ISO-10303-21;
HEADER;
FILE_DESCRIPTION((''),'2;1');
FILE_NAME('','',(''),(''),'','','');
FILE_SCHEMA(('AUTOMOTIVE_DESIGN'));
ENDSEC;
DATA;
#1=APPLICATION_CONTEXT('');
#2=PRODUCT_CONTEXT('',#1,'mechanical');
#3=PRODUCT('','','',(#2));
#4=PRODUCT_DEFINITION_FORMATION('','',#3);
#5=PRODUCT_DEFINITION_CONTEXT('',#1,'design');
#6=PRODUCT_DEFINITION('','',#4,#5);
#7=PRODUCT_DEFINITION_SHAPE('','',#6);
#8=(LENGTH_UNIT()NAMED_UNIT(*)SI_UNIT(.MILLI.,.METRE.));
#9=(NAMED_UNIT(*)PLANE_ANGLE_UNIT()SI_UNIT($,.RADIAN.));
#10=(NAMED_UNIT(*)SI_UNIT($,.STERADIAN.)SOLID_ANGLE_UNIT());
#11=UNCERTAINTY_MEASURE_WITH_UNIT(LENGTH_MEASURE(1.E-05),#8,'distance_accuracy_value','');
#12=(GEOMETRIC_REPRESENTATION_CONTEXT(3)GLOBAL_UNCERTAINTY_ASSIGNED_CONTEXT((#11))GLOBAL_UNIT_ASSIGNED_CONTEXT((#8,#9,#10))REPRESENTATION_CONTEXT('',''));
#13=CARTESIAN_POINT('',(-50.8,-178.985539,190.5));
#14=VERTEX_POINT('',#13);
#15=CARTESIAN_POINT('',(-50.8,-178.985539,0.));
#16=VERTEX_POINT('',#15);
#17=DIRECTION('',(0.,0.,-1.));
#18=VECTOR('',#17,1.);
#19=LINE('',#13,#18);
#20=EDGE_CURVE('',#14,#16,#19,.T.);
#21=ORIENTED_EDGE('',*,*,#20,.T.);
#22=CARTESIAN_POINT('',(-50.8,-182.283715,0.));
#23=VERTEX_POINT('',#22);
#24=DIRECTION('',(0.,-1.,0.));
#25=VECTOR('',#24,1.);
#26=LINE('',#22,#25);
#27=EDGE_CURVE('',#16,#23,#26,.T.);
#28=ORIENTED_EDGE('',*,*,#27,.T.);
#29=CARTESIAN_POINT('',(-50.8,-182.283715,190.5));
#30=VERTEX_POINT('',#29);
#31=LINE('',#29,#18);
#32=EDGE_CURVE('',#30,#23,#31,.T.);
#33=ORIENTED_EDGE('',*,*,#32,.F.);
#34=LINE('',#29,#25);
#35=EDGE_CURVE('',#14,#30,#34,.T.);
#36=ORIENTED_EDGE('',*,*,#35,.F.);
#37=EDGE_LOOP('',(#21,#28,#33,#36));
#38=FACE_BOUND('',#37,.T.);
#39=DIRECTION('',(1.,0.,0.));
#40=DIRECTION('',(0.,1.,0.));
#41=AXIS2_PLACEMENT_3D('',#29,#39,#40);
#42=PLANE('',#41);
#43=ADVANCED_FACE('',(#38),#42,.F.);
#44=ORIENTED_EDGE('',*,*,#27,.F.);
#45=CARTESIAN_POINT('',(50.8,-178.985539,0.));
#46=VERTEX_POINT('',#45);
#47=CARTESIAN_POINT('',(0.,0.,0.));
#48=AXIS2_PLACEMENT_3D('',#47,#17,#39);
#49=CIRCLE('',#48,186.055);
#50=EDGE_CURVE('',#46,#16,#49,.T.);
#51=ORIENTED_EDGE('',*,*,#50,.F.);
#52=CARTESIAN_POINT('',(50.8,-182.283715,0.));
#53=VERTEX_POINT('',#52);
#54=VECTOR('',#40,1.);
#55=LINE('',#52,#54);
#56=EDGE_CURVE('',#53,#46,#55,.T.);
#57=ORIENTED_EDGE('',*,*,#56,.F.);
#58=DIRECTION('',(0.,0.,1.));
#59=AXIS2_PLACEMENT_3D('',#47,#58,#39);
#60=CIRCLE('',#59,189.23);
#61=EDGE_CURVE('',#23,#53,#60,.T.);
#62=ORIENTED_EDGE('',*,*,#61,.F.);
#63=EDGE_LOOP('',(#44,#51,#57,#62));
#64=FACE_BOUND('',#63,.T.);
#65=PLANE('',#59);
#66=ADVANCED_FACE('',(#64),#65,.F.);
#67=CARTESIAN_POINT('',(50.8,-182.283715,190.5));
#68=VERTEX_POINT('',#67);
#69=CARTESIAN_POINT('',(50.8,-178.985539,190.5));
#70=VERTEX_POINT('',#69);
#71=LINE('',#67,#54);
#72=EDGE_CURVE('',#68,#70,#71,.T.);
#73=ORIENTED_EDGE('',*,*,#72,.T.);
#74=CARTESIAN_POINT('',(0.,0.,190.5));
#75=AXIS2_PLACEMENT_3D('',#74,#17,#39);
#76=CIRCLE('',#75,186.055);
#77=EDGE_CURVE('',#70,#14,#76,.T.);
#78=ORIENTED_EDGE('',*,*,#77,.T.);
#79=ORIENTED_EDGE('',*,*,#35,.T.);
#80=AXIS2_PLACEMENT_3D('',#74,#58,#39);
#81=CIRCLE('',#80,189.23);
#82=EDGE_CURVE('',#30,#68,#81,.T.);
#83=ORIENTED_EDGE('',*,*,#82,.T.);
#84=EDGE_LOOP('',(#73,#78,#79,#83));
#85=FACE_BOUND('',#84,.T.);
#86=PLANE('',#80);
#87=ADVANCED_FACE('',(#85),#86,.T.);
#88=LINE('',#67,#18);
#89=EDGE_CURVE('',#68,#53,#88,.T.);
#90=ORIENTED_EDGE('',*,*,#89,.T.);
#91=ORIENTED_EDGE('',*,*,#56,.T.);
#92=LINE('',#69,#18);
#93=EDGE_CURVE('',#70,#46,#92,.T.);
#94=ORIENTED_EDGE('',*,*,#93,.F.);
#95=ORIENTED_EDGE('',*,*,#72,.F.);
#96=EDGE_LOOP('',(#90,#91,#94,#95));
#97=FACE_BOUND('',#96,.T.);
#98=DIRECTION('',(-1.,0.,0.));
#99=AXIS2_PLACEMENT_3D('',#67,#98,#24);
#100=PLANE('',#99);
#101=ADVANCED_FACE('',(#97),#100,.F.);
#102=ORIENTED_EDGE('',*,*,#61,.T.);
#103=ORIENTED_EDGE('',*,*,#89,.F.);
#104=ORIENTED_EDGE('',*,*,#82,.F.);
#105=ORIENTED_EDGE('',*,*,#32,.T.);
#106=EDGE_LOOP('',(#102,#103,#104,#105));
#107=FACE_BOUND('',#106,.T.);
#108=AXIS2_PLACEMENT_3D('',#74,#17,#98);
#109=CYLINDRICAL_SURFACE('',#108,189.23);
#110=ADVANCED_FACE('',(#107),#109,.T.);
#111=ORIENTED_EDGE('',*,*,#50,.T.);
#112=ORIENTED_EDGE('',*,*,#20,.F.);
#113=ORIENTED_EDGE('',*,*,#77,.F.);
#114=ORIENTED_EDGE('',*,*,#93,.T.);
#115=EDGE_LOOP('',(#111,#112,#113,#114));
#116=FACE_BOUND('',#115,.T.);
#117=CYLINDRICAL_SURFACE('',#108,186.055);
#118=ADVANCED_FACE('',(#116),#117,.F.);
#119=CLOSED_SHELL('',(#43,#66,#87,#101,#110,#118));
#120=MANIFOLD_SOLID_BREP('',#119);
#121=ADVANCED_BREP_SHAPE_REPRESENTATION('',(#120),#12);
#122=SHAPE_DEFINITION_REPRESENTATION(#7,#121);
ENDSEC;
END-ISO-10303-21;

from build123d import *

# Parameters (mm, degrees)
BOSS_EXTRUDE1_DEPTH = 190.5


with BuildPart() as part:
    # Sketch1 → Boss-Extrude1 (new body)
    with BuildSketch(Plane(origin=(0, 0, 0), x_dir=(0, 1, 0), z_dir=(0, 0, 1))):
        with BuildLine():
            Line((-182.2837154, 50.8), (-178.985538592, 50.8))
            ThreePointArc((-178.985538592, 50.8), (-186.055, 0), (-178.985538592, -50.8))
            Line((-178.985538592, -50.8), (-182.2837154, -50.8))
            ThreePointArc((-182.2837154, -50.8), (-189.23, 0), (-182.2837154, 50.8))
        make_face()
    extrude(amount=BOSS_EXTRUDE1_DEPTH)


solid = part.part
